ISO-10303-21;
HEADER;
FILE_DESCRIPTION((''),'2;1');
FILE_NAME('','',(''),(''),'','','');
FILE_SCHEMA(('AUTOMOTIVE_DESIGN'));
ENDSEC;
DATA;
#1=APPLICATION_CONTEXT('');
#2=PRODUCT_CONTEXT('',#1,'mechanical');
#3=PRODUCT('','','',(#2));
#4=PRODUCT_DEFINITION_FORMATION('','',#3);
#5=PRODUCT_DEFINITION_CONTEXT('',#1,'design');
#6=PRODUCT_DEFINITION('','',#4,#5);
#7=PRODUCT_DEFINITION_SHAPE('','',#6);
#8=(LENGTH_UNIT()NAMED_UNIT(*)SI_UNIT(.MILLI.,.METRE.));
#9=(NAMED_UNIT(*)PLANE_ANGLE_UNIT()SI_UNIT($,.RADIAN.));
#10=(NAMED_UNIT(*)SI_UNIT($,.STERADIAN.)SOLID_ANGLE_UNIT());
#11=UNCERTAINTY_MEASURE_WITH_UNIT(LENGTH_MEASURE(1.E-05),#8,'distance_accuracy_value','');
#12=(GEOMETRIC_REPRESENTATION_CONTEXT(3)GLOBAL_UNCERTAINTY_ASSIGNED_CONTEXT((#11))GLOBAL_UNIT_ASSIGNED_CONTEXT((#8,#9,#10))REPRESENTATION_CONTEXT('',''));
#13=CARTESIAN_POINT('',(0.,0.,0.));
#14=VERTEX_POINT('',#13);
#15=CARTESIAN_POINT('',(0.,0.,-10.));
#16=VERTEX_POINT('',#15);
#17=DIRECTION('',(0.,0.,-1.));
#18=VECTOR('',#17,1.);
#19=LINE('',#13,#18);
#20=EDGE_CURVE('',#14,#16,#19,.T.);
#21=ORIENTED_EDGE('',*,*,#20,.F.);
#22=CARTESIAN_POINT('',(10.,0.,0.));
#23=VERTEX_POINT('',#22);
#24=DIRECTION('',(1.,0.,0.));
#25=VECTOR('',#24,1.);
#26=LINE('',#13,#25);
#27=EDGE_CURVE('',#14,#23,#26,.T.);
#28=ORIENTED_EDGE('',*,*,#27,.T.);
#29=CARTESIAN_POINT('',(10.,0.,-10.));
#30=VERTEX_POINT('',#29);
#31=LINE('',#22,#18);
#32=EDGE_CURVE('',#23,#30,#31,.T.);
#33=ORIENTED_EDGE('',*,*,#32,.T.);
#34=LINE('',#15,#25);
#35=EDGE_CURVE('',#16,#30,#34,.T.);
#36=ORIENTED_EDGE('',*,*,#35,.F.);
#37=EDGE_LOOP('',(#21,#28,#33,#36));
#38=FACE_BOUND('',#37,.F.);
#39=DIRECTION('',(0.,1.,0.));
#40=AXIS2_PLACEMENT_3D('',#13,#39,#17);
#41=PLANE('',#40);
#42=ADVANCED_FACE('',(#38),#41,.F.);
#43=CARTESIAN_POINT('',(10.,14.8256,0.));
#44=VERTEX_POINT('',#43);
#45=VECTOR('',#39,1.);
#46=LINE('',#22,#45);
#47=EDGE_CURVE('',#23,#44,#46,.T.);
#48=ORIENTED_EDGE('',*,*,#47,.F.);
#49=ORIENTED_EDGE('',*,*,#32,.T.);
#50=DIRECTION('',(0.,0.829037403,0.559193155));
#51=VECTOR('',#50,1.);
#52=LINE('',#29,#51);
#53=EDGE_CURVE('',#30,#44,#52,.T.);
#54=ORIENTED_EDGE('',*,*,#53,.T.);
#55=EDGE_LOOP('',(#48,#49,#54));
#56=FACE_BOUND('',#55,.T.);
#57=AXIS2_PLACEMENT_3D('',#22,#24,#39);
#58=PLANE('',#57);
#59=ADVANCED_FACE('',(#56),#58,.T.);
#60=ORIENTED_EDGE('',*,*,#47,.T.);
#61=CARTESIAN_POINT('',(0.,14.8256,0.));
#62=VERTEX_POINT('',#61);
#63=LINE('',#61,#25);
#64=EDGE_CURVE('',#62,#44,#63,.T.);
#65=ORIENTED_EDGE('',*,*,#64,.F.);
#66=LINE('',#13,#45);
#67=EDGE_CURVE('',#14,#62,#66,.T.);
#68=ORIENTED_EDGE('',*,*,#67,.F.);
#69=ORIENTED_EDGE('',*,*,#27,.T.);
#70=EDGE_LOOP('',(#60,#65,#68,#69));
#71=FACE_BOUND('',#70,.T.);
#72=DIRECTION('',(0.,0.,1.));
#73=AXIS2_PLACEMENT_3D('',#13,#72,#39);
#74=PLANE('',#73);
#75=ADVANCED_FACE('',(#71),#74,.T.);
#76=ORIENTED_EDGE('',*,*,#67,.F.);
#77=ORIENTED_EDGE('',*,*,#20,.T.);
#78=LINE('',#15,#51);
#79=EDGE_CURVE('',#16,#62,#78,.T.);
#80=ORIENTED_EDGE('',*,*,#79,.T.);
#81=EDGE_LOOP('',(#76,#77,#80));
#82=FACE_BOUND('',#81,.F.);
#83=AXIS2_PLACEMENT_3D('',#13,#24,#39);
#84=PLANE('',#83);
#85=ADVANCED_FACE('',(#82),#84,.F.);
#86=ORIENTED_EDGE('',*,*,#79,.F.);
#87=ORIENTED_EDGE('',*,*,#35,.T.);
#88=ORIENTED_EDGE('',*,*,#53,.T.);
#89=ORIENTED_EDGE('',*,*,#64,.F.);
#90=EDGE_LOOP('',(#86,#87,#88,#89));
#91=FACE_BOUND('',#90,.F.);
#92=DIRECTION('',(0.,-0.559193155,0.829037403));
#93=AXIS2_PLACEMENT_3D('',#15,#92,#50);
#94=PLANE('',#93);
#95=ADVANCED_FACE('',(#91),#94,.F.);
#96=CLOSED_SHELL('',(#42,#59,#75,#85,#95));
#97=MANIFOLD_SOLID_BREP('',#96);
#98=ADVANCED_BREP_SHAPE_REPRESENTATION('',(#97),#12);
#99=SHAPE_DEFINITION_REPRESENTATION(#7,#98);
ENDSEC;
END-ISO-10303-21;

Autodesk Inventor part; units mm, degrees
ref_plane "YZ Plane" through (0, 0, 0) normal (1, 0, 0) x (0, 1, 0)
ref_plane "XZ Plane" through (0, 0, 0) normal (0, 1, 0) x (-1, 0, 0)
ref_plane "XY Plane" through (0, 0, 0) normal (0, 0, 1) x (1, 0, 0)
sketch "Эскиз1" plane through (0, 0, 0) normal (1, 0, 0) x (0, 1, 0)
  line L0 (0, 0) -> (0, -10)
  line L1 (0, 0) -> (14.8256, 0)
  line L2 (0, -10) -> (14.8256, 0)
extrude "Выдавливание1" add sketch "Эскиз1" along normal blind 10
properties part number "task1"
